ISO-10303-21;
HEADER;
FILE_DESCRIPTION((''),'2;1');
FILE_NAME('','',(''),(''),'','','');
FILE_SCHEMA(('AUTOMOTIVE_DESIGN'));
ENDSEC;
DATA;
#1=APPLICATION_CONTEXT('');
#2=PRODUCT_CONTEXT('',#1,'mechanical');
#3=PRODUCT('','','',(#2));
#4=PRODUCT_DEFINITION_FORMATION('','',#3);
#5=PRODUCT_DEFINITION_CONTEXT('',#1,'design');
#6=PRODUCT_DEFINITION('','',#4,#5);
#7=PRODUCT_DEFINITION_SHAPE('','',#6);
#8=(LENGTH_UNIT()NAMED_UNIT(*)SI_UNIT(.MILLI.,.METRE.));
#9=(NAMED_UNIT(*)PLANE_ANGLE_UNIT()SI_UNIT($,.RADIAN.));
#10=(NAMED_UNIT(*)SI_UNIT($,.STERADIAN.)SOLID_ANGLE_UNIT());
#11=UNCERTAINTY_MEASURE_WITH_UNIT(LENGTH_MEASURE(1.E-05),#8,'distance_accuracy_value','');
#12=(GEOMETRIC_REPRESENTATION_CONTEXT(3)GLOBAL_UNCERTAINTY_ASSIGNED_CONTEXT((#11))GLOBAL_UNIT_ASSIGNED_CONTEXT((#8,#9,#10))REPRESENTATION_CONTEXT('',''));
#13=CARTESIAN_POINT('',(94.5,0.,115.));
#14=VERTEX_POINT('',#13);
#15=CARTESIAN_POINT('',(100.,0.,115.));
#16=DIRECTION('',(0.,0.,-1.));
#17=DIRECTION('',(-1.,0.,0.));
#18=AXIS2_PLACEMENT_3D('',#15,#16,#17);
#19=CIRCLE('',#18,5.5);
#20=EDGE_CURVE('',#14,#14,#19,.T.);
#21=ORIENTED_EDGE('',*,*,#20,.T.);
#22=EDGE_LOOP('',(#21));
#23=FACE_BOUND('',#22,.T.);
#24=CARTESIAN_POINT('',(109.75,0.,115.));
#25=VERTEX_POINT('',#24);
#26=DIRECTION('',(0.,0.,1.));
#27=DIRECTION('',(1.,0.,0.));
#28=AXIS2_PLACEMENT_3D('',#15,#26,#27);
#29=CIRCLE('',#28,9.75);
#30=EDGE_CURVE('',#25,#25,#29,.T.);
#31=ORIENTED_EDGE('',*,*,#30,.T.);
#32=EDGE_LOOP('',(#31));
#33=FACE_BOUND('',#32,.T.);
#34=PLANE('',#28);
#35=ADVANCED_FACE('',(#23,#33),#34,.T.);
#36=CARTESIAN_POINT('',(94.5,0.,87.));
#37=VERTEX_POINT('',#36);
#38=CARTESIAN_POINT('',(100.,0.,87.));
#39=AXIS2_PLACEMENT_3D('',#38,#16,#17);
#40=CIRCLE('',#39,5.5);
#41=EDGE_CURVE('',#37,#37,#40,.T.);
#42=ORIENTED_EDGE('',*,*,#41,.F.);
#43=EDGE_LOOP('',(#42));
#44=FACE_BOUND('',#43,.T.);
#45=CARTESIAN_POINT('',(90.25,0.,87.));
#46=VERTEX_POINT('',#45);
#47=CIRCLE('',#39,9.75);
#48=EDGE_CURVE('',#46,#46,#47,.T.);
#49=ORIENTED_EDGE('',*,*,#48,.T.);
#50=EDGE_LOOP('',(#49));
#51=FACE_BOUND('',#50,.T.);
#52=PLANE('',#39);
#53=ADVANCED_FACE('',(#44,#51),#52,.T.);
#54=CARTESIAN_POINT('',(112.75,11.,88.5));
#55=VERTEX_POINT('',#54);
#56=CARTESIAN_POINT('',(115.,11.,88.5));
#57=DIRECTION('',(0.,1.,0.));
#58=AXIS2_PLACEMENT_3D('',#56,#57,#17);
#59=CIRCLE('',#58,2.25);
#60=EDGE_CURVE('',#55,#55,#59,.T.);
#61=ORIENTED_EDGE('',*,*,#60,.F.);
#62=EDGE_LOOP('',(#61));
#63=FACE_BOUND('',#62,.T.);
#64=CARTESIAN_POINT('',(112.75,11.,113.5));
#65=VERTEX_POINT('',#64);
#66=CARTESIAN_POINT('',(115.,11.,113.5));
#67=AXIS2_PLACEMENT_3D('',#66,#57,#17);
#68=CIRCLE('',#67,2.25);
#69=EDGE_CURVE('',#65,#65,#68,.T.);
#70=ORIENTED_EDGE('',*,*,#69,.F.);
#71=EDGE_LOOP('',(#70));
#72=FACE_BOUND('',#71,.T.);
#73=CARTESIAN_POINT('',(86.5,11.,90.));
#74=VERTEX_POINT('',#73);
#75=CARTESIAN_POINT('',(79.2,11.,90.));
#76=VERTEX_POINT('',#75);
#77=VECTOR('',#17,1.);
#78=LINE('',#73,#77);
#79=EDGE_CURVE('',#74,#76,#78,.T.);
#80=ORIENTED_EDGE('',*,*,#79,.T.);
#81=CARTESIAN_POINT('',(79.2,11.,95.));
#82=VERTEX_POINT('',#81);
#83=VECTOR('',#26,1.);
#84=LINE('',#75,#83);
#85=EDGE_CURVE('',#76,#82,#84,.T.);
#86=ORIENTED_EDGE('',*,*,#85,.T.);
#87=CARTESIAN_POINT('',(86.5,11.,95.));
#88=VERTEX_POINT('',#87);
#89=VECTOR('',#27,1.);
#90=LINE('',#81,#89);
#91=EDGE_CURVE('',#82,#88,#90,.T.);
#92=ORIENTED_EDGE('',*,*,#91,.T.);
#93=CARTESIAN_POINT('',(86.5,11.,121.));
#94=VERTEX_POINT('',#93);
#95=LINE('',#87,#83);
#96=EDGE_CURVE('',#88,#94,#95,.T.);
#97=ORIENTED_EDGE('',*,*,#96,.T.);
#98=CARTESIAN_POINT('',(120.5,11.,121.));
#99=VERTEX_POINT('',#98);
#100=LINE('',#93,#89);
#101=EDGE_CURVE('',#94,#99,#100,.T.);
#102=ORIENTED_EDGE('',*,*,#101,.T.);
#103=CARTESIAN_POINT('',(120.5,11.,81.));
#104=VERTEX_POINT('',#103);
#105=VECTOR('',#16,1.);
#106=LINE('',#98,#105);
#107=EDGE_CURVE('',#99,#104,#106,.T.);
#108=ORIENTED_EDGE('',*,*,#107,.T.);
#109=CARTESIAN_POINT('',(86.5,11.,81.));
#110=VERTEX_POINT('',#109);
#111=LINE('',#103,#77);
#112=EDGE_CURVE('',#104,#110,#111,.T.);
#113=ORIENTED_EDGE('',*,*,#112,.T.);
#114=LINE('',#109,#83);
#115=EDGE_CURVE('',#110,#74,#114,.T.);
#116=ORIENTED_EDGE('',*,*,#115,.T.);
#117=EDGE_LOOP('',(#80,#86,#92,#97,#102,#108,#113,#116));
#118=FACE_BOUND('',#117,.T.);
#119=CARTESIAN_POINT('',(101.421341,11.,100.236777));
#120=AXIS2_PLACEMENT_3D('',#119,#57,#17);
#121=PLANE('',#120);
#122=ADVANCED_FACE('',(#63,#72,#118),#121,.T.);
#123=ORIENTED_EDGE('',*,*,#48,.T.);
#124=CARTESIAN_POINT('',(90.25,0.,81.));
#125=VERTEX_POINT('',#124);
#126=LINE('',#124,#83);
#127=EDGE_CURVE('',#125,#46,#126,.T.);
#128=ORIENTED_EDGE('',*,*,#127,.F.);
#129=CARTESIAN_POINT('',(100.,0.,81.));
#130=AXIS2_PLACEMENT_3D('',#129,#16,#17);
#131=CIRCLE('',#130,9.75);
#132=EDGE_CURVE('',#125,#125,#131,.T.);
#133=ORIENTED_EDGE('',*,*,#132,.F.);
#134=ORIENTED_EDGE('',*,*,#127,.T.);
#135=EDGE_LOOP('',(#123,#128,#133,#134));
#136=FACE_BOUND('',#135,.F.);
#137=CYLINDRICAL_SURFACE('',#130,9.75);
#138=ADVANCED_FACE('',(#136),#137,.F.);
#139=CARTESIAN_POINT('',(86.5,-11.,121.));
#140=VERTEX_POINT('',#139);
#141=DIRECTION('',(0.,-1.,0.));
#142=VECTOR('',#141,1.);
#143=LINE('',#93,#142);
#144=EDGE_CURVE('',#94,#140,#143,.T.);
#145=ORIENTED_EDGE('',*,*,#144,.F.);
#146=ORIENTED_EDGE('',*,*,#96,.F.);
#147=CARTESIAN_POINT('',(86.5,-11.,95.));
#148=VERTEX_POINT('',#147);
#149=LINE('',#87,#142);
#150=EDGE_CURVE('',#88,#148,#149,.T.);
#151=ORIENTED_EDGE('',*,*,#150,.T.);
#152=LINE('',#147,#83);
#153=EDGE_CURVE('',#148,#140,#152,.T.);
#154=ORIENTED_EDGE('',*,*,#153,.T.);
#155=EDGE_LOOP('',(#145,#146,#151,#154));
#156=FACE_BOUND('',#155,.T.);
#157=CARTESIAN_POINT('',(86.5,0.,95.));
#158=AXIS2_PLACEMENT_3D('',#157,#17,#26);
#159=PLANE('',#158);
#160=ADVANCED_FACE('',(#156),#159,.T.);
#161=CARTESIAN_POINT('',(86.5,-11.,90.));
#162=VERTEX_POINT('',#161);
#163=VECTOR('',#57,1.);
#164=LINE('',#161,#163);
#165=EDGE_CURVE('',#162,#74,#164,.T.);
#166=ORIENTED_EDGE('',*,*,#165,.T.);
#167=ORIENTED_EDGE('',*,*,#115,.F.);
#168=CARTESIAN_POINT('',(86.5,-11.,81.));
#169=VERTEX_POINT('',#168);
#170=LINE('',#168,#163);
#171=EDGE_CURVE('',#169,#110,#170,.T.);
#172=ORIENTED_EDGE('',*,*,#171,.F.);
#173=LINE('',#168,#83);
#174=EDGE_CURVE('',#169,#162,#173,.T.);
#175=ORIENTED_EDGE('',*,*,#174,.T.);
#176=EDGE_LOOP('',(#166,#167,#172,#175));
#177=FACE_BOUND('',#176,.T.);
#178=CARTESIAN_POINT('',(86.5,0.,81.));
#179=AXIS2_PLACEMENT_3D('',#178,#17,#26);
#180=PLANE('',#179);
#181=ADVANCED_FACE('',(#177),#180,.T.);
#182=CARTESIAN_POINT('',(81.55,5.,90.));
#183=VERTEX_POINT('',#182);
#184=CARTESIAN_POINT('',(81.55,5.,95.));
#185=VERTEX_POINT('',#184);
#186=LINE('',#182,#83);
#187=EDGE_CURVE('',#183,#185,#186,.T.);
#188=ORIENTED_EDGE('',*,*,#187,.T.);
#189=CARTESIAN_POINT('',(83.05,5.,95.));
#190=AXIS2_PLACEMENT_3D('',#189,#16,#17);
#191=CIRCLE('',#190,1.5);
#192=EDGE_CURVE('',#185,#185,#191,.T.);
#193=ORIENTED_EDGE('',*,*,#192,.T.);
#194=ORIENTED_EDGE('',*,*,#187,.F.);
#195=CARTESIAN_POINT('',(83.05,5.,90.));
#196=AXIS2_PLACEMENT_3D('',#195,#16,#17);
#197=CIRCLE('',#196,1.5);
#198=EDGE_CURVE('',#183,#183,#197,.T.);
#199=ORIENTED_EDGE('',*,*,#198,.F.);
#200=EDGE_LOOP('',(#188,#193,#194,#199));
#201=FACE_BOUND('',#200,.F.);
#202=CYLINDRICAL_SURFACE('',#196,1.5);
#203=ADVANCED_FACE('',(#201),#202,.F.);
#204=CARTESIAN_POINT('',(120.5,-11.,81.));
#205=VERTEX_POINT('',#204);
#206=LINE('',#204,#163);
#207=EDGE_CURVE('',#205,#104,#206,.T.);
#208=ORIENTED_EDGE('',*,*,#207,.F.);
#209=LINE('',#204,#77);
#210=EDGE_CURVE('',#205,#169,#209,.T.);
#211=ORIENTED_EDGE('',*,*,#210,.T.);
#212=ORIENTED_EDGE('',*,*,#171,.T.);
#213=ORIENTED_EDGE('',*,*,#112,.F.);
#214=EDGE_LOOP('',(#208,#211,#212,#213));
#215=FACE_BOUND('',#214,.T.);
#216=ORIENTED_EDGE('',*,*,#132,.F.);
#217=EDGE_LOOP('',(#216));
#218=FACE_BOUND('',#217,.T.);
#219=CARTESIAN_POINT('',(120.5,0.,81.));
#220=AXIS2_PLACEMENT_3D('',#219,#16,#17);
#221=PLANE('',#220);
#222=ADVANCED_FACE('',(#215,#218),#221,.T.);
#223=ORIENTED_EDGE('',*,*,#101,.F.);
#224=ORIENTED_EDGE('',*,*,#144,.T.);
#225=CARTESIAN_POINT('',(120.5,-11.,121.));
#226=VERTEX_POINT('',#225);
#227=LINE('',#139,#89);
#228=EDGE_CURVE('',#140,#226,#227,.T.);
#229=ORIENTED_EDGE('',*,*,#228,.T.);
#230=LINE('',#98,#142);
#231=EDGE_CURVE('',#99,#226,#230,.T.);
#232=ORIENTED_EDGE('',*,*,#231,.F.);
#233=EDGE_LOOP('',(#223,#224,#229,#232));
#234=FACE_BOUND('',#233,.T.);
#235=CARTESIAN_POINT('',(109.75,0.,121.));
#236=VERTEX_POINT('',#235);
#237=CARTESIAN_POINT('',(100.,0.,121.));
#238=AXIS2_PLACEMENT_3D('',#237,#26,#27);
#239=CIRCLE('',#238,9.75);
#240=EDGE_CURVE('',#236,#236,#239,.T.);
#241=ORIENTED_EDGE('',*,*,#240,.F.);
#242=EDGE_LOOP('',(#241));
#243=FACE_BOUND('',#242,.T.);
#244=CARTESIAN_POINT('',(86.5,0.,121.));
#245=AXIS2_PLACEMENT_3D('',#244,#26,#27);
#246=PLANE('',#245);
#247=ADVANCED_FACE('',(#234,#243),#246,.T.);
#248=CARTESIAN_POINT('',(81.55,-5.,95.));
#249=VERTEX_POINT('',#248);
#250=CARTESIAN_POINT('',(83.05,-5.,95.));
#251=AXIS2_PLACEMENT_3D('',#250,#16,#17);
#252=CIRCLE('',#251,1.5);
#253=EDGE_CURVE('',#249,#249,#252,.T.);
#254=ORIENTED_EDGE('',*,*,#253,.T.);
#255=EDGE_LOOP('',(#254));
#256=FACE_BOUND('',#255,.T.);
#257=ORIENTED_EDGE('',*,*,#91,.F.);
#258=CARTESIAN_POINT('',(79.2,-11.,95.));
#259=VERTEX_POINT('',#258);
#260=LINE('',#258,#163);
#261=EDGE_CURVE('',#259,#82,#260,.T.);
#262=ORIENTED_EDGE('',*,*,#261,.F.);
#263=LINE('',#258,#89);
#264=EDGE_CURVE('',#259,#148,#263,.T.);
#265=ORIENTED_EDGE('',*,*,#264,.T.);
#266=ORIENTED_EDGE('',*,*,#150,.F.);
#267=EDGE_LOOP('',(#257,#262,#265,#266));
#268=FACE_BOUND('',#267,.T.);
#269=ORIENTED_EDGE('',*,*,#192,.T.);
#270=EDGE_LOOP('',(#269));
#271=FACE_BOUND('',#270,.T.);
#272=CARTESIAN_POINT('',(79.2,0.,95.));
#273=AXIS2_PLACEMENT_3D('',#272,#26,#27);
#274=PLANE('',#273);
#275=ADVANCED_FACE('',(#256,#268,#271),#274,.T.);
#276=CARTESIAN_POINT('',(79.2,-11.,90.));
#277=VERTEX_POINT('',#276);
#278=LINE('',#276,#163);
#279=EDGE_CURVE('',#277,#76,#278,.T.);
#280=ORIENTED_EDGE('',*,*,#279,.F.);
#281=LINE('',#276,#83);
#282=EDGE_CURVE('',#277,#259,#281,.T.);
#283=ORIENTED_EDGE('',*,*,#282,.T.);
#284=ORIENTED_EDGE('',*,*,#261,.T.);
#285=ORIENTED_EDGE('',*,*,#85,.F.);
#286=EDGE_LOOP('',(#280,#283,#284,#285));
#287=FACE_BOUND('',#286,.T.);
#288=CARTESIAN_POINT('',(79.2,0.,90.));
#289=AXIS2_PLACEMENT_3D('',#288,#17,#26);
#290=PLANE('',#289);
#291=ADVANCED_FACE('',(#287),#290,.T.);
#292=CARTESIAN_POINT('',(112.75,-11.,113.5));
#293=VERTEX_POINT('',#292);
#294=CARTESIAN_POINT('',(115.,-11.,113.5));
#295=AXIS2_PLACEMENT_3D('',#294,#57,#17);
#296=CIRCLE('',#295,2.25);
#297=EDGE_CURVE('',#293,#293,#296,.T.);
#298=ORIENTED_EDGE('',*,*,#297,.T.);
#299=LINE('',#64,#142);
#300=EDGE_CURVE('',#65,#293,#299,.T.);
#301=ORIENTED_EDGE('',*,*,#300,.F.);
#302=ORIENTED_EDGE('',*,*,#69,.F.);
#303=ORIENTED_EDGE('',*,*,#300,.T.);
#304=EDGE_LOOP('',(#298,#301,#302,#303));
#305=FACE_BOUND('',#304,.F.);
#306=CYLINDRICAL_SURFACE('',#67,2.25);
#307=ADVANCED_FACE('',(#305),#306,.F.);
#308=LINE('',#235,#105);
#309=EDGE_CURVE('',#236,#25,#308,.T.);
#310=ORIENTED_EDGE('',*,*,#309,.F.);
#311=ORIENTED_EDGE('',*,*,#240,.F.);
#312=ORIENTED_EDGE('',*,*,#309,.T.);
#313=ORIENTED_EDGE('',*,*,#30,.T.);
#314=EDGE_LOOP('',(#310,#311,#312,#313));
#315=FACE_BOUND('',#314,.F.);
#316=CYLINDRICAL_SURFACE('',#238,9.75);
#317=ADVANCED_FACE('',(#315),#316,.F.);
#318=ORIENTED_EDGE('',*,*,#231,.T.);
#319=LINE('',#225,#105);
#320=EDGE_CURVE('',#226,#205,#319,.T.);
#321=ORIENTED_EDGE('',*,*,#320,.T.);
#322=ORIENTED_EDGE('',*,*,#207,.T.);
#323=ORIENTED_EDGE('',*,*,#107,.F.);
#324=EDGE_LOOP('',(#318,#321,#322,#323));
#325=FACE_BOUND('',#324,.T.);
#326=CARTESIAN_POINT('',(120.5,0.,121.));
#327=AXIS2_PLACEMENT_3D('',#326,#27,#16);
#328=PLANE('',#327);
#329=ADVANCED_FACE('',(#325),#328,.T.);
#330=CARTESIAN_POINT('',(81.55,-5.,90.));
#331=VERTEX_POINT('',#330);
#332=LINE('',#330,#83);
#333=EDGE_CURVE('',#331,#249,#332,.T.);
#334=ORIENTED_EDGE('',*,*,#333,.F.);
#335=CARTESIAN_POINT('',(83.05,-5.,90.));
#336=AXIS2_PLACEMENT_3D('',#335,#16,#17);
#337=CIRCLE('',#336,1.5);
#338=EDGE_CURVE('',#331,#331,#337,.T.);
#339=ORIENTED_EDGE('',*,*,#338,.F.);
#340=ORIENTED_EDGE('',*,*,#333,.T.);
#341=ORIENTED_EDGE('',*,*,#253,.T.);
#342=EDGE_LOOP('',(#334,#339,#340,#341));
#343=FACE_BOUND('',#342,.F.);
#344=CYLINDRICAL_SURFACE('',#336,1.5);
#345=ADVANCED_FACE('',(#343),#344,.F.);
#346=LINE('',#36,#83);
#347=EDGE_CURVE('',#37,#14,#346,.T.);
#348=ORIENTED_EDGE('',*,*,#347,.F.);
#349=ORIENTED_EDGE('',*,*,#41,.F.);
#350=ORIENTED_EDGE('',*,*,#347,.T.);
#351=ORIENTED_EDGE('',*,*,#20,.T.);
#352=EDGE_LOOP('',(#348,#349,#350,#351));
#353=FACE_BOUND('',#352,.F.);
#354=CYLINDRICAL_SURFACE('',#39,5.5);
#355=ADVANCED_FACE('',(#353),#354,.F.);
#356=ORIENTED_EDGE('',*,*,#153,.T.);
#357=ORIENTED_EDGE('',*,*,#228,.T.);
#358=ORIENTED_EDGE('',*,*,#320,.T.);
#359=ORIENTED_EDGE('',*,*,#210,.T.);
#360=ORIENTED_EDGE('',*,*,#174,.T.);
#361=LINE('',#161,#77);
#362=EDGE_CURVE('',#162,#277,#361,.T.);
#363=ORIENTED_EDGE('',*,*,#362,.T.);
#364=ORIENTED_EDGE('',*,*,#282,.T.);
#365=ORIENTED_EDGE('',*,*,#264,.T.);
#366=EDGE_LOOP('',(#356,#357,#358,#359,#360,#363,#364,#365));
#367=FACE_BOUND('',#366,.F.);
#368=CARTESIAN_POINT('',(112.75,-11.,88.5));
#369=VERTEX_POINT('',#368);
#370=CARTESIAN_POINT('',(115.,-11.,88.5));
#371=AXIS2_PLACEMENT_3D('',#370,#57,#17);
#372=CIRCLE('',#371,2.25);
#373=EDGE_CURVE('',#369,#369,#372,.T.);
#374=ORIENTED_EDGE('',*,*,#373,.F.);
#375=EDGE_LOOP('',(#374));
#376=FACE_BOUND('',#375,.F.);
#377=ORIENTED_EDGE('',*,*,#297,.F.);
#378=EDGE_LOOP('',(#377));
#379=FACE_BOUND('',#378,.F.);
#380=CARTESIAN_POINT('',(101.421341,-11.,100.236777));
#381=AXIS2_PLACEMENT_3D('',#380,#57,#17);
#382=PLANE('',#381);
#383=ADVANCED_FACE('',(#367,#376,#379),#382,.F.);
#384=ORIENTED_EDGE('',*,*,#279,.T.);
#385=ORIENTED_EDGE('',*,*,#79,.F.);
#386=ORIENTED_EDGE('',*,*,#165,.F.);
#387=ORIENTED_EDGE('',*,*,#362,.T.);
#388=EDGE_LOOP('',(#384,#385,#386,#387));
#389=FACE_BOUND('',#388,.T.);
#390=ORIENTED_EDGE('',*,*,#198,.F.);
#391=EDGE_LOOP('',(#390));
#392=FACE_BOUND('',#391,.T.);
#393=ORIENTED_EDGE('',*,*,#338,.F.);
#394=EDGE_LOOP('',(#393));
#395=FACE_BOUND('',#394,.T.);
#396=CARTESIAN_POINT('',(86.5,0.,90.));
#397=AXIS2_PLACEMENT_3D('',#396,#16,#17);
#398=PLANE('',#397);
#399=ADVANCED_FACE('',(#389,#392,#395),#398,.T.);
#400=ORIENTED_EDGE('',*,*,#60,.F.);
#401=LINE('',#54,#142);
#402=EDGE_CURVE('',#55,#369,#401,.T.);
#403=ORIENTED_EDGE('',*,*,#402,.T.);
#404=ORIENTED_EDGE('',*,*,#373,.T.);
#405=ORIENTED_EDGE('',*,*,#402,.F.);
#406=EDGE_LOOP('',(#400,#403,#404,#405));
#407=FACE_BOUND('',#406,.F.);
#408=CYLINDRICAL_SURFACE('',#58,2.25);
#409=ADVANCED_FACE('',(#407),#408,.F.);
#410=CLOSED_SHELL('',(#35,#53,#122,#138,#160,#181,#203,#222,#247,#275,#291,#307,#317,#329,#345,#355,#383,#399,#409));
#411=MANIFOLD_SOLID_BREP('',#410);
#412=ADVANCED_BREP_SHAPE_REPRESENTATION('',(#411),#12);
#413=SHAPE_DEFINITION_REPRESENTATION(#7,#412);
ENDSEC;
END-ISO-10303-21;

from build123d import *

# Parameters (mm, degrees)
PAD157_DEPTH            = 11
SKETCH229_R             = 9.75
POCKET054_DEPTH         = 6
SKETCH230_R             = 5.5
POCKET055_DEPTH         = 40
SKETCH231_R             = 9.75
POCKET056_DEPTH         = 6
SKETCH232_R             = 2.25
POCKET057_DEPTH         = 25
SKETCH233_R             = 1.5
POCKET058_DEPTH         = 5
BODY136_PLACEMENT_ANGLE = 180


with BuildPart() as part:
    # Sketch228 → Pad157 (new body, symmetric)
    with BuildSketch(Plane.XZ):
        Polygon((-20.5, 40), (-20.5, 0), (13.5, 0), (13.5, 9), (20.8, 9), (20.8, 14), (13.5, 14), (13.5, 40), align=None)
    extrude(amount=PAD157_DEPTH, both=True)

    # Sketch229 (on Face2 of Pad157) → Pocket054 (cut)
    with BuildSketch(Plane(origin=(0, 0, 0), x_dir=(1, 0, 0), z_dir=(0, 0, -1))):
        Circle(SKETCH229_R)
    extrude(amount=-POCKET054_DEPTH, mode=Mode.SUBTRACT)

    # Sketch230 (on Face12 of Pocket054) → Pocket055 (cut)
    with BuildSketch(Plane(origin=(0, 0, 6), x_dir=(1, 0, 0), z_dir=(0, 0, -1))):
        Circle(SKETCH230_R)
    extrude(amount=-POCKET055_DEPTH, mode=Mode.SUBTRACT)

    # Sketch231 (on Face2 of Pocket055) → Pocket056 (cut)
    with BuildSketch(Plane(origin=(0, 0, 40), x_dir=(-1, 0, 0), z_dir=(0, 0, 1))):
        Circle(SKETCH231_R)
    extrude(amount=-POCKET056_DEPTH, mode=Mode.SUBTRACT)

    # Sketch232 (on Face5 of Pocket056) → Pocket057 (cut)
    with BuildSketch(Plane.XZ.offset(11)):
        with Locations((-15, 32.5)):
            Circle(SKETCH232_R)
        with Locations((-15, 7.5)):
            Circle(SKETCH232_R)
    extrude(amount=-POCKET057_DEPTH, mode=Mode.SUBTRACT)

    # Sketch233 (on Face11 of Pocket057) → Pocket058 (cut)
    with BuildSketch(Plane(origin=(0, 0, 9), x_dir=(1, 0, 0), z_dir=(0, 0, -1))):
        with Locations((16.95, 5)):
            Circle(SKETCH233_R)
        with Locations((16.95, -5)):
            Circle(SKETCH233_R)
    extrude(amount=-POCKET058_DEPTH, mode=Mode.SUBTRACT)


with BuildPart() as part_1:
    # Body126 placement: moved
    add(part.part.moved(Location((-100, 0, 81))))


with BuildPart() as part_2:
    # Body136 placement: moved
    add(part_1.part.rotate(Axis((0, 0, 0), (0, 0, 1)), BODY136_PLACEMENT_ANGLE))


solid = part_2.part
